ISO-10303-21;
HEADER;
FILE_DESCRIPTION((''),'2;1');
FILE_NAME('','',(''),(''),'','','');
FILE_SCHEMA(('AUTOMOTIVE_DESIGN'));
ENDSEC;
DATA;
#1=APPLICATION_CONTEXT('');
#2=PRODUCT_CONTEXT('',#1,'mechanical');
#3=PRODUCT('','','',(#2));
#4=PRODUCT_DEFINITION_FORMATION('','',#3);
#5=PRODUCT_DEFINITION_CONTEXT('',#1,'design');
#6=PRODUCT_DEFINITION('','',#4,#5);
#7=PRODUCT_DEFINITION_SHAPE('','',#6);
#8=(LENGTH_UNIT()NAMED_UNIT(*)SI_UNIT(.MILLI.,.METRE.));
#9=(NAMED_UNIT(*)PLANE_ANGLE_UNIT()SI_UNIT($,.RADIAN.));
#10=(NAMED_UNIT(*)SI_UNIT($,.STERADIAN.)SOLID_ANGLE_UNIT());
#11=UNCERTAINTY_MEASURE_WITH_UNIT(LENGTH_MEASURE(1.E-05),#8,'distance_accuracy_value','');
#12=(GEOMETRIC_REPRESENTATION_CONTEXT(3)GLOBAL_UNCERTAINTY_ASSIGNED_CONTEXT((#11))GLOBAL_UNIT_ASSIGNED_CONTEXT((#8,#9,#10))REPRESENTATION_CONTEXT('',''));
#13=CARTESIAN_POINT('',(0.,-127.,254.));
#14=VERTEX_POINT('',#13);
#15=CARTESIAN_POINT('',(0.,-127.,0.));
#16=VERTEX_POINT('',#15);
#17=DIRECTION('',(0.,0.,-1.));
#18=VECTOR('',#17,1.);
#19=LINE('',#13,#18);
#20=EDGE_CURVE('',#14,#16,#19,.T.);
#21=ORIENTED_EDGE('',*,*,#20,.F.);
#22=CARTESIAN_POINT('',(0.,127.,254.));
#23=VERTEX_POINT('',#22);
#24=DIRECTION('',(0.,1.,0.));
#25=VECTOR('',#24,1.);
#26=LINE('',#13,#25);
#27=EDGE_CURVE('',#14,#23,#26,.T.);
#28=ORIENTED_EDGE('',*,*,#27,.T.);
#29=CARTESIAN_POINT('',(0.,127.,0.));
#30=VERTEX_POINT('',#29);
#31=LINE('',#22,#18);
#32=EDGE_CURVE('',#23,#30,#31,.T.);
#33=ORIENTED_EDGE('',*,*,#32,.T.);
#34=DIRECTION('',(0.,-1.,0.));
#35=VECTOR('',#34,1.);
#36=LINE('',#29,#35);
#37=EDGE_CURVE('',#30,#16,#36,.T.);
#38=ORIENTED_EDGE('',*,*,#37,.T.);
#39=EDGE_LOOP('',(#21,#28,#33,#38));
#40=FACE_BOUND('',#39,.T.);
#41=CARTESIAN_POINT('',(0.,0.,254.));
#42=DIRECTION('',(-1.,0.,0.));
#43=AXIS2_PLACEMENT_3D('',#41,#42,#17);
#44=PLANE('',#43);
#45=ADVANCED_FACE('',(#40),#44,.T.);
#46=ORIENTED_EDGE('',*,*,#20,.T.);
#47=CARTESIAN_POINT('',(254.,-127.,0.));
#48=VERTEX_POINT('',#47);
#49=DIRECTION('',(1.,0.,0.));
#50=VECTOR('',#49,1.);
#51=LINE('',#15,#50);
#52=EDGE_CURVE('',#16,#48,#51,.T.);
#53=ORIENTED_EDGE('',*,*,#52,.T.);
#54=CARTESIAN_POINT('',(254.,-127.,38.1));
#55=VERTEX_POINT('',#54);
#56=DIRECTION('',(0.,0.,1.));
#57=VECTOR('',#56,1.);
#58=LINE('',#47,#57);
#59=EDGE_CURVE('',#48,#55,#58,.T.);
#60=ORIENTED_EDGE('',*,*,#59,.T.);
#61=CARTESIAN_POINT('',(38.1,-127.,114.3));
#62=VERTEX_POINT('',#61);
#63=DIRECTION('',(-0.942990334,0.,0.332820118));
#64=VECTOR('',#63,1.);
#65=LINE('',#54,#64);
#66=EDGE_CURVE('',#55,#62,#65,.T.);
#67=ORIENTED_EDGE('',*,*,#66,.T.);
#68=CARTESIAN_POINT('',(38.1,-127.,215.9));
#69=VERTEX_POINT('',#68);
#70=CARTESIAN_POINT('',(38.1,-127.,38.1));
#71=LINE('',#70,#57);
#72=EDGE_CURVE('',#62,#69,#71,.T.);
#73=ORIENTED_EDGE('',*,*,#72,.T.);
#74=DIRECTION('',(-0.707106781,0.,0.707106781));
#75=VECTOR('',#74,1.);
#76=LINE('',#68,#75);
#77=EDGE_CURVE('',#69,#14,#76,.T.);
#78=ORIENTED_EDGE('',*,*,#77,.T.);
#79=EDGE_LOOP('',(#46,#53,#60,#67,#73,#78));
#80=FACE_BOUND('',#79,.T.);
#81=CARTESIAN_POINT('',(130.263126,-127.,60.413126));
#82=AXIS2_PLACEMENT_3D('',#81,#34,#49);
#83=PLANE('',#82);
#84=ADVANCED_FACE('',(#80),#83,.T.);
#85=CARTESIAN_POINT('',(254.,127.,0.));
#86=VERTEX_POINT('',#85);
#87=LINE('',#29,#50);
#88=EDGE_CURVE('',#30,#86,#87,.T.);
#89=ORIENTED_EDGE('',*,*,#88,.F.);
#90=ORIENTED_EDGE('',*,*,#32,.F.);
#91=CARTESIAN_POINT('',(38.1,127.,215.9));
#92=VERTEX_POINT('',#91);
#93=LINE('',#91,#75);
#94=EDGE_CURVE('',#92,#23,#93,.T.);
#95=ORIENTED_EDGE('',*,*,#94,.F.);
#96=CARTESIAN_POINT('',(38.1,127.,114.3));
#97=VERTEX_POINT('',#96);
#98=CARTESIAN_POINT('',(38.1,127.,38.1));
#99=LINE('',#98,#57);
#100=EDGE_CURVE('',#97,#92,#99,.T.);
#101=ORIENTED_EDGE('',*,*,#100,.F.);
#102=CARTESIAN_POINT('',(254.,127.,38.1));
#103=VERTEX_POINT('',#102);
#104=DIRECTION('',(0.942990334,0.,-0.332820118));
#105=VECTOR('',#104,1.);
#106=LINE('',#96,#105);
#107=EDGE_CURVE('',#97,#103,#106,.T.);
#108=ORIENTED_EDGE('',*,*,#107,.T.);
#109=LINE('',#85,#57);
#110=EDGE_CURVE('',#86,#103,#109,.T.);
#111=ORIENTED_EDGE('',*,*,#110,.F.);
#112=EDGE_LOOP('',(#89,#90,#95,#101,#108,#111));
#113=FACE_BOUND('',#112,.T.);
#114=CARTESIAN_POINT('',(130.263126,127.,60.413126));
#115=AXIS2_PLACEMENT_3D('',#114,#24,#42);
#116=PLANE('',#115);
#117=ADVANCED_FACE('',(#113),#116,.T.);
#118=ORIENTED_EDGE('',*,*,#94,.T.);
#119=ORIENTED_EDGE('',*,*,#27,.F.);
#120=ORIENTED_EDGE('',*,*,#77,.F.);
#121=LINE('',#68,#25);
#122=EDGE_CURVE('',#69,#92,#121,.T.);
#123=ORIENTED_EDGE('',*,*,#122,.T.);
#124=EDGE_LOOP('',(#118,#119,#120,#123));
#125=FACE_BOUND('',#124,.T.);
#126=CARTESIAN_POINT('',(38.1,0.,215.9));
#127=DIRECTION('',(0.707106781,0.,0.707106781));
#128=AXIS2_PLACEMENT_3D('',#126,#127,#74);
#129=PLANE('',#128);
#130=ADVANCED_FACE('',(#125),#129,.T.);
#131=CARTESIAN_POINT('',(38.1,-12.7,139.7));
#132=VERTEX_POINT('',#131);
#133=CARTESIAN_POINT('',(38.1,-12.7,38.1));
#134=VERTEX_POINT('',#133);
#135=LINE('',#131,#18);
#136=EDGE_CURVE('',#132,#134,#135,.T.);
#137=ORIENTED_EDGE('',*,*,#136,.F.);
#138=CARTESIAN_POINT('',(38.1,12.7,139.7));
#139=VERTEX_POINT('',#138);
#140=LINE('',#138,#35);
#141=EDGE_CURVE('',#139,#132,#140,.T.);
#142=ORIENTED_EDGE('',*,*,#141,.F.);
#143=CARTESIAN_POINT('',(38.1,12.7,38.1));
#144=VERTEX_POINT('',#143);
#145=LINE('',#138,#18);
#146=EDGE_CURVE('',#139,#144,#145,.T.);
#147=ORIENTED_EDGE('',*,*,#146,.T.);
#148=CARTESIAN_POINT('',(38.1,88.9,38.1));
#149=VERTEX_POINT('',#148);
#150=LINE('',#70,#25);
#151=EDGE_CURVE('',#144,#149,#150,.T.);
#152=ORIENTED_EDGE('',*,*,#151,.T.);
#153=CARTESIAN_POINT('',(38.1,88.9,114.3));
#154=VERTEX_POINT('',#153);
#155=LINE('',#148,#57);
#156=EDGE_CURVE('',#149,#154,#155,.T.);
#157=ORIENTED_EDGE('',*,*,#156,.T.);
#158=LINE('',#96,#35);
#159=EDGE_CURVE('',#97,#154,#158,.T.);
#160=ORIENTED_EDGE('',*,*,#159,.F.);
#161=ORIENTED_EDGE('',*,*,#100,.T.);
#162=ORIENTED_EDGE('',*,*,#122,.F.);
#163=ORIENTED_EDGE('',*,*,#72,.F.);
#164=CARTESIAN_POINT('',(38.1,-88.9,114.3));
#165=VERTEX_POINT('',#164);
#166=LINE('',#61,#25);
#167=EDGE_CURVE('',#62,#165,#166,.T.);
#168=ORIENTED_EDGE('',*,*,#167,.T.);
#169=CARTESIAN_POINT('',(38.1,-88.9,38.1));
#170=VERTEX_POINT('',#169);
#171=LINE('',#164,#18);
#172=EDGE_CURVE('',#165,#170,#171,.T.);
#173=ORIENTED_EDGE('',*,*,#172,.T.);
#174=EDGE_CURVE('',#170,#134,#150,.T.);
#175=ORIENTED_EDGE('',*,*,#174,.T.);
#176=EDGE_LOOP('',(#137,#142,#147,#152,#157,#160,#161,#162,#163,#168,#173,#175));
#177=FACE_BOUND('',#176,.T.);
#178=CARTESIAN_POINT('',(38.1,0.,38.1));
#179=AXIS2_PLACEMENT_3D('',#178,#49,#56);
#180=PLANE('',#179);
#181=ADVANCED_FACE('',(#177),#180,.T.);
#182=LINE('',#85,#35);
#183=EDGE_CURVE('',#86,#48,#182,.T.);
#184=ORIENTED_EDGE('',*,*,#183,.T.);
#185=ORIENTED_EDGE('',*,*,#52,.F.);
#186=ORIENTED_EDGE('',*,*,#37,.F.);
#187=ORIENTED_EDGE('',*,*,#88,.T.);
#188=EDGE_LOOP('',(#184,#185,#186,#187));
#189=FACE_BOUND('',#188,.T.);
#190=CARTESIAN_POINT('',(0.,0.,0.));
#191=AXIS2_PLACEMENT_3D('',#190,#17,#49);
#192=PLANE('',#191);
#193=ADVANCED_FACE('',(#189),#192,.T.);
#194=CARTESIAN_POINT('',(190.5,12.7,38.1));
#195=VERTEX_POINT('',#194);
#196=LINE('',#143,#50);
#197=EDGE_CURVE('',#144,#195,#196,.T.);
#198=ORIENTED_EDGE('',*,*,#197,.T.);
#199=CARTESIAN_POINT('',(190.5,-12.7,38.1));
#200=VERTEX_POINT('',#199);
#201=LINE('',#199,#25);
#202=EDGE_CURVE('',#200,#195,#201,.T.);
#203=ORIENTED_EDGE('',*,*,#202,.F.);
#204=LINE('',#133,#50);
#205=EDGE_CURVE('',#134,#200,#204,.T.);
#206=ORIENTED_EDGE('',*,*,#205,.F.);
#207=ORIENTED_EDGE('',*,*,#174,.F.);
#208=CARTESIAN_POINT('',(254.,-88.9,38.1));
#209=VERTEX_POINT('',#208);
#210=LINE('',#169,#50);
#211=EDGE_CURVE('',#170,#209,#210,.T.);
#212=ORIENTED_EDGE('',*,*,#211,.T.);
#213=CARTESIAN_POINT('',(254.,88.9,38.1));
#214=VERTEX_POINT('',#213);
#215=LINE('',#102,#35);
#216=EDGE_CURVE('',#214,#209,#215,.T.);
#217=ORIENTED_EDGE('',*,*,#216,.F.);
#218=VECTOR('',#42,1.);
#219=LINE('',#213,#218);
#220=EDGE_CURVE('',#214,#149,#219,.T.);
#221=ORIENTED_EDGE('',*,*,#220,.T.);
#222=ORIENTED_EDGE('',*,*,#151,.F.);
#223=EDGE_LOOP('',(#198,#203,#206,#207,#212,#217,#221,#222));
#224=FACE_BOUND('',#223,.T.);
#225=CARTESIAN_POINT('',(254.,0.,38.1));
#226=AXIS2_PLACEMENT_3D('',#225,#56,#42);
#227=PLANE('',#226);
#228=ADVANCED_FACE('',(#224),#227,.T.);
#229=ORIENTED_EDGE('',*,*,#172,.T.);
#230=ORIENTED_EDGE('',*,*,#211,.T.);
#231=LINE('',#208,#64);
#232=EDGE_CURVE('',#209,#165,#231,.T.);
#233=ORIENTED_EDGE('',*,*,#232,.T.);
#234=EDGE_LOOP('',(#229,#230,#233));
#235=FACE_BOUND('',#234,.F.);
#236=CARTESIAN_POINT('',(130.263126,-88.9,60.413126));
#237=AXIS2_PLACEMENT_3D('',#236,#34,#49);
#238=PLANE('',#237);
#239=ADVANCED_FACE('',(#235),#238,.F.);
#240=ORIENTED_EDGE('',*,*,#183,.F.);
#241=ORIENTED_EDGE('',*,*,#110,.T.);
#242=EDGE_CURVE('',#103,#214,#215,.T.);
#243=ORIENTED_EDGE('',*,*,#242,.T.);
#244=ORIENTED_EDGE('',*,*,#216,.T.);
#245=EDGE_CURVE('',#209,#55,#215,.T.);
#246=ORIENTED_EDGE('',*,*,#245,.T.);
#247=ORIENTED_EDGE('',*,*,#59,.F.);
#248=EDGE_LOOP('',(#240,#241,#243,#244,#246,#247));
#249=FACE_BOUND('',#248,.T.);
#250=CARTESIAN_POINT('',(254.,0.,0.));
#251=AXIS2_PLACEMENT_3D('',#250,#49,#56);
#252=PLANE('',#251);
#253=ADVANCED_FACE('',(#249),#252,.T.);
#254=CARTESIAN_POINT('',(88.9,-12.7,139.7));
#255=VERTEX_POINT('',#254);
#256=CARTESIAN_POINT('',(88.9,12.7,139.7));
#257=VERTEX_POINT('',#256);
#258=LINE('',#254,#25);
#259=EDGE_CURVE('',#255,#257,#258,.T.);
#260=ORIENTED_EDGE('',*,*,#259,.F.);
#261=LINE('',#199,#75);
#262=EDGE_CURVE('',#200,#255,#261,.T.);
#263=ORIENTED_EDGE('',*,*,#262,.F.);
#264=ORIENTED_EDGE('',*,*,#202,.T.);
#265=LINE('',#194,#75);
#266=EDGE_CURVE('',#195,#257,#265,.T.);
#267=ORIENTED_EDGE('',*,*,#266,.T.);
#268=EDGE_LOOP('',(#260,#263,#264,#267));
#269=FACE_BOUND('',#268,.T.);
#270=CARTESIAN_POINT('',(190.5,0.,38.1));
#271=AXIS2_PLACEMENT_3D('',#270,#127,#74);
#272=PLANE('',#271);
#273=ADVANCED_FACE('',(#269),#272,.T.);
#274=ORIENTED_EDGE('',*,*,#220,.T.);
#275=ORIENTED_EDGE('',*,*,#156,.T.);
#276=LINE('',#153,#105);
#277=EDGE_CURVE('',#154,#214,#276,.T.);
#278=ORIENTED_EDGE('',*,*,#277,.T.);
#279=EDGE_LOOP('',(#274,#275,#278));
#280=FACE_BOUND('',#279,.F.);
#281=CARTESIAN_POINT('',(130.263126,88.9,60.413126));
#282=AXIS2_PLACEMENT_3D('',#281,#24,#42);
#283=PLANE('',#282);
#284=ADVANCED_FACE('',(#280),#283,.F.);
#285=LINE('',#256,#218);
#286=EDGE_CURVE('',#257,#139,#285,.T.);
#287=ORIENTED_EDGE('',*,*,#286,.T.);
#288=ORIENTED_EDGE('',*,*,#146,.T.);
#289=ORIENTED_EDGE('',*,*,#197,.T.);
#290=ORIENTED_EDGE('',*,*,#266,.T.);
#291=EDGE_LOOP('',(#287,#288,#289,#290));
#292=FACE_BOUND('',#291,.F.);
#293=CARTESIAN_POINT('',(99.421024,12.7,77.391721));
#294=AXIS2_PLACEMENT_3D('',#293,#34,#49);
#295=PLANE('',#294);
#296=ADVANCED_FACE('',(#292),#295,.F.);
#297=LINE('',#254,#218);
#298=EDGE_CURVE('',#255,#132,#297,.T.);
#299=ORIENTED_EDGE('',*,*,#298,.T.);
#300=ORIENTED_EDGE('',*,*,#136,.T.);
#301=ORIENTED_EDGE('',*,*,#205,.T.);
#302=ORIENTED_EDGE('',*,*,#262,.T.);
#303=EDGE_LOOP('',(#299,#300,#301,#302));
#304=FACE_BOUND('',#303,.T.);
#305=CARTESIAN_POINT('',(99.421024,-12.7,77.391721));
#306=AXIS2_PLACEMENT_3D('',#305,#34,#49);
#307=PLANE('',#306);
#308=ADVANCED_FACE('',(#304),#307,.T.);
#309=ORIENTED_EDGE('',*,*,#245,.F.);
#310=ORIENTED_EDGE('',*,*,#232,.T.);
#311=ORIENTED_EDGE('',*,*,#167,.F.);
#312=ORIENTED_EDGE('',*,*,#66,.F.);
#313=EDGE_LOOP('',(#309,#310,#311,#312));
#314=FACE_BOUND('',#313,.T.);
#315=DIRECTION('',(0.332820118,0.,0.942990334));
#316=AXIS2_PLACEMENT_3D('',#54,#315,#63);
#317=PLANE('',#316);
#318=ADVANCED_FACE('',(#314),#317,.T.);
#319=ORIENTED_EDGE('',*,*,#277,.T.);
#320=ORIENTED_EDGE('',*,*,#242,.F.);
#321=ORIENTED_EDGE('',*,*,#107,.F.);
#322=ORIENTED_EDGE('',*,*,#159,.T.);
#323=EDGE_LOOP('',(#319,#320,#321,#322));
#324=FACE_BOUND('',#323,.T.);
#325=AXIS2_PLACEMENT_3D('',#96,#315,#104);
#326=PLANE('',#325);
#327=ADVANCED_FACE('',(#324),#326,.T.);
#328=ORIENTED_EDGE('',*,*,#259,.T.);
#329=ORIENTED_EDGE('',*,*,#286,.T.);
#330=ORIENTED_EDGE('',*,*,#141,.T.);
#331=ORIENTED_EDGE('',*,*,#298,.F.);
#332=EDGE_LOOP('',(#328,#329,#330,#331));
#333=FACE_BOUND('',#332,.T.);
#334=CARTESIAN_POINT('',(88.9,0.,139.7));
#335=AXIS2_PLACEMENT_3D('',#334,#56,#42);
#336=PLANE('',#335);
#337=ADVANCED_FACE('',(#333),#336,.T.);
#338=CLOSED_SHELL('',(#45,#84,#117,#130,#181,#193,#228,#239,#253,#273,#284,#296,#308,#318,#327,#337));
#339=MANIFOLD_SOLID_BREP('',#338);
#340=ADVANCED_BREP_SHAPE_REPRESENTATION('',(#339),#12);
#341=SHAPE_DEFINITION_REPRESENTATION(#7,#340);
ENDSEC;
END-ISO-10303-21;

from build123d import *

# Parameters (mm, degrees)
F1_DEPTH = 127
F2_DEPTH = 12.7
F4_DEPTH = 38.1
F6_DEPTH = 38.1


with BuildPart() as f1:
    # F0 (on Front) → F1 (new body, symmetric)
    with BuildSketch(Plane.XZ):
        Polygon((0, 254), (0, 0), (254, 0), (254, 38.1), (190.5, 38.1), (38.1, 38.1), (38.1, 139.7), (38.1, 215.9), align=None)
    extrude(amount=F1_DEPTH, both=True)

    # F0 (on Front) → F2 (join, symmetric)
    with BuildSketch(Plane.XZ):
        Polygon((88.9, 139.7), (38.1, 139.7), (38.1, 38.1), (190.5, 38.1), align=None)
    extrude(amount=F2_DEPTH, both=True)

    # F3 (on face) → F4 (join)
    with BuildSketch(Plane.XZ.offset(127)):
        Polygon((254, 38.1), (38.1, 114.3), (38.1, 38.1), align=None)
    extrude(amount=-F4_DEPTH)

    # F5 (on face) → F6 (join)
    with BuildSketch(Plane(origin=(0, 127, 0), x_dir=(-1, 0, 0), z_dir=(0, 1, 0))):
        Polygon((-38.1, 38.1), (-38.1, 114.3), (-254, 38.1), align=None)
    extrude(amount=-F6_DEPTH)


solid = f1.part
